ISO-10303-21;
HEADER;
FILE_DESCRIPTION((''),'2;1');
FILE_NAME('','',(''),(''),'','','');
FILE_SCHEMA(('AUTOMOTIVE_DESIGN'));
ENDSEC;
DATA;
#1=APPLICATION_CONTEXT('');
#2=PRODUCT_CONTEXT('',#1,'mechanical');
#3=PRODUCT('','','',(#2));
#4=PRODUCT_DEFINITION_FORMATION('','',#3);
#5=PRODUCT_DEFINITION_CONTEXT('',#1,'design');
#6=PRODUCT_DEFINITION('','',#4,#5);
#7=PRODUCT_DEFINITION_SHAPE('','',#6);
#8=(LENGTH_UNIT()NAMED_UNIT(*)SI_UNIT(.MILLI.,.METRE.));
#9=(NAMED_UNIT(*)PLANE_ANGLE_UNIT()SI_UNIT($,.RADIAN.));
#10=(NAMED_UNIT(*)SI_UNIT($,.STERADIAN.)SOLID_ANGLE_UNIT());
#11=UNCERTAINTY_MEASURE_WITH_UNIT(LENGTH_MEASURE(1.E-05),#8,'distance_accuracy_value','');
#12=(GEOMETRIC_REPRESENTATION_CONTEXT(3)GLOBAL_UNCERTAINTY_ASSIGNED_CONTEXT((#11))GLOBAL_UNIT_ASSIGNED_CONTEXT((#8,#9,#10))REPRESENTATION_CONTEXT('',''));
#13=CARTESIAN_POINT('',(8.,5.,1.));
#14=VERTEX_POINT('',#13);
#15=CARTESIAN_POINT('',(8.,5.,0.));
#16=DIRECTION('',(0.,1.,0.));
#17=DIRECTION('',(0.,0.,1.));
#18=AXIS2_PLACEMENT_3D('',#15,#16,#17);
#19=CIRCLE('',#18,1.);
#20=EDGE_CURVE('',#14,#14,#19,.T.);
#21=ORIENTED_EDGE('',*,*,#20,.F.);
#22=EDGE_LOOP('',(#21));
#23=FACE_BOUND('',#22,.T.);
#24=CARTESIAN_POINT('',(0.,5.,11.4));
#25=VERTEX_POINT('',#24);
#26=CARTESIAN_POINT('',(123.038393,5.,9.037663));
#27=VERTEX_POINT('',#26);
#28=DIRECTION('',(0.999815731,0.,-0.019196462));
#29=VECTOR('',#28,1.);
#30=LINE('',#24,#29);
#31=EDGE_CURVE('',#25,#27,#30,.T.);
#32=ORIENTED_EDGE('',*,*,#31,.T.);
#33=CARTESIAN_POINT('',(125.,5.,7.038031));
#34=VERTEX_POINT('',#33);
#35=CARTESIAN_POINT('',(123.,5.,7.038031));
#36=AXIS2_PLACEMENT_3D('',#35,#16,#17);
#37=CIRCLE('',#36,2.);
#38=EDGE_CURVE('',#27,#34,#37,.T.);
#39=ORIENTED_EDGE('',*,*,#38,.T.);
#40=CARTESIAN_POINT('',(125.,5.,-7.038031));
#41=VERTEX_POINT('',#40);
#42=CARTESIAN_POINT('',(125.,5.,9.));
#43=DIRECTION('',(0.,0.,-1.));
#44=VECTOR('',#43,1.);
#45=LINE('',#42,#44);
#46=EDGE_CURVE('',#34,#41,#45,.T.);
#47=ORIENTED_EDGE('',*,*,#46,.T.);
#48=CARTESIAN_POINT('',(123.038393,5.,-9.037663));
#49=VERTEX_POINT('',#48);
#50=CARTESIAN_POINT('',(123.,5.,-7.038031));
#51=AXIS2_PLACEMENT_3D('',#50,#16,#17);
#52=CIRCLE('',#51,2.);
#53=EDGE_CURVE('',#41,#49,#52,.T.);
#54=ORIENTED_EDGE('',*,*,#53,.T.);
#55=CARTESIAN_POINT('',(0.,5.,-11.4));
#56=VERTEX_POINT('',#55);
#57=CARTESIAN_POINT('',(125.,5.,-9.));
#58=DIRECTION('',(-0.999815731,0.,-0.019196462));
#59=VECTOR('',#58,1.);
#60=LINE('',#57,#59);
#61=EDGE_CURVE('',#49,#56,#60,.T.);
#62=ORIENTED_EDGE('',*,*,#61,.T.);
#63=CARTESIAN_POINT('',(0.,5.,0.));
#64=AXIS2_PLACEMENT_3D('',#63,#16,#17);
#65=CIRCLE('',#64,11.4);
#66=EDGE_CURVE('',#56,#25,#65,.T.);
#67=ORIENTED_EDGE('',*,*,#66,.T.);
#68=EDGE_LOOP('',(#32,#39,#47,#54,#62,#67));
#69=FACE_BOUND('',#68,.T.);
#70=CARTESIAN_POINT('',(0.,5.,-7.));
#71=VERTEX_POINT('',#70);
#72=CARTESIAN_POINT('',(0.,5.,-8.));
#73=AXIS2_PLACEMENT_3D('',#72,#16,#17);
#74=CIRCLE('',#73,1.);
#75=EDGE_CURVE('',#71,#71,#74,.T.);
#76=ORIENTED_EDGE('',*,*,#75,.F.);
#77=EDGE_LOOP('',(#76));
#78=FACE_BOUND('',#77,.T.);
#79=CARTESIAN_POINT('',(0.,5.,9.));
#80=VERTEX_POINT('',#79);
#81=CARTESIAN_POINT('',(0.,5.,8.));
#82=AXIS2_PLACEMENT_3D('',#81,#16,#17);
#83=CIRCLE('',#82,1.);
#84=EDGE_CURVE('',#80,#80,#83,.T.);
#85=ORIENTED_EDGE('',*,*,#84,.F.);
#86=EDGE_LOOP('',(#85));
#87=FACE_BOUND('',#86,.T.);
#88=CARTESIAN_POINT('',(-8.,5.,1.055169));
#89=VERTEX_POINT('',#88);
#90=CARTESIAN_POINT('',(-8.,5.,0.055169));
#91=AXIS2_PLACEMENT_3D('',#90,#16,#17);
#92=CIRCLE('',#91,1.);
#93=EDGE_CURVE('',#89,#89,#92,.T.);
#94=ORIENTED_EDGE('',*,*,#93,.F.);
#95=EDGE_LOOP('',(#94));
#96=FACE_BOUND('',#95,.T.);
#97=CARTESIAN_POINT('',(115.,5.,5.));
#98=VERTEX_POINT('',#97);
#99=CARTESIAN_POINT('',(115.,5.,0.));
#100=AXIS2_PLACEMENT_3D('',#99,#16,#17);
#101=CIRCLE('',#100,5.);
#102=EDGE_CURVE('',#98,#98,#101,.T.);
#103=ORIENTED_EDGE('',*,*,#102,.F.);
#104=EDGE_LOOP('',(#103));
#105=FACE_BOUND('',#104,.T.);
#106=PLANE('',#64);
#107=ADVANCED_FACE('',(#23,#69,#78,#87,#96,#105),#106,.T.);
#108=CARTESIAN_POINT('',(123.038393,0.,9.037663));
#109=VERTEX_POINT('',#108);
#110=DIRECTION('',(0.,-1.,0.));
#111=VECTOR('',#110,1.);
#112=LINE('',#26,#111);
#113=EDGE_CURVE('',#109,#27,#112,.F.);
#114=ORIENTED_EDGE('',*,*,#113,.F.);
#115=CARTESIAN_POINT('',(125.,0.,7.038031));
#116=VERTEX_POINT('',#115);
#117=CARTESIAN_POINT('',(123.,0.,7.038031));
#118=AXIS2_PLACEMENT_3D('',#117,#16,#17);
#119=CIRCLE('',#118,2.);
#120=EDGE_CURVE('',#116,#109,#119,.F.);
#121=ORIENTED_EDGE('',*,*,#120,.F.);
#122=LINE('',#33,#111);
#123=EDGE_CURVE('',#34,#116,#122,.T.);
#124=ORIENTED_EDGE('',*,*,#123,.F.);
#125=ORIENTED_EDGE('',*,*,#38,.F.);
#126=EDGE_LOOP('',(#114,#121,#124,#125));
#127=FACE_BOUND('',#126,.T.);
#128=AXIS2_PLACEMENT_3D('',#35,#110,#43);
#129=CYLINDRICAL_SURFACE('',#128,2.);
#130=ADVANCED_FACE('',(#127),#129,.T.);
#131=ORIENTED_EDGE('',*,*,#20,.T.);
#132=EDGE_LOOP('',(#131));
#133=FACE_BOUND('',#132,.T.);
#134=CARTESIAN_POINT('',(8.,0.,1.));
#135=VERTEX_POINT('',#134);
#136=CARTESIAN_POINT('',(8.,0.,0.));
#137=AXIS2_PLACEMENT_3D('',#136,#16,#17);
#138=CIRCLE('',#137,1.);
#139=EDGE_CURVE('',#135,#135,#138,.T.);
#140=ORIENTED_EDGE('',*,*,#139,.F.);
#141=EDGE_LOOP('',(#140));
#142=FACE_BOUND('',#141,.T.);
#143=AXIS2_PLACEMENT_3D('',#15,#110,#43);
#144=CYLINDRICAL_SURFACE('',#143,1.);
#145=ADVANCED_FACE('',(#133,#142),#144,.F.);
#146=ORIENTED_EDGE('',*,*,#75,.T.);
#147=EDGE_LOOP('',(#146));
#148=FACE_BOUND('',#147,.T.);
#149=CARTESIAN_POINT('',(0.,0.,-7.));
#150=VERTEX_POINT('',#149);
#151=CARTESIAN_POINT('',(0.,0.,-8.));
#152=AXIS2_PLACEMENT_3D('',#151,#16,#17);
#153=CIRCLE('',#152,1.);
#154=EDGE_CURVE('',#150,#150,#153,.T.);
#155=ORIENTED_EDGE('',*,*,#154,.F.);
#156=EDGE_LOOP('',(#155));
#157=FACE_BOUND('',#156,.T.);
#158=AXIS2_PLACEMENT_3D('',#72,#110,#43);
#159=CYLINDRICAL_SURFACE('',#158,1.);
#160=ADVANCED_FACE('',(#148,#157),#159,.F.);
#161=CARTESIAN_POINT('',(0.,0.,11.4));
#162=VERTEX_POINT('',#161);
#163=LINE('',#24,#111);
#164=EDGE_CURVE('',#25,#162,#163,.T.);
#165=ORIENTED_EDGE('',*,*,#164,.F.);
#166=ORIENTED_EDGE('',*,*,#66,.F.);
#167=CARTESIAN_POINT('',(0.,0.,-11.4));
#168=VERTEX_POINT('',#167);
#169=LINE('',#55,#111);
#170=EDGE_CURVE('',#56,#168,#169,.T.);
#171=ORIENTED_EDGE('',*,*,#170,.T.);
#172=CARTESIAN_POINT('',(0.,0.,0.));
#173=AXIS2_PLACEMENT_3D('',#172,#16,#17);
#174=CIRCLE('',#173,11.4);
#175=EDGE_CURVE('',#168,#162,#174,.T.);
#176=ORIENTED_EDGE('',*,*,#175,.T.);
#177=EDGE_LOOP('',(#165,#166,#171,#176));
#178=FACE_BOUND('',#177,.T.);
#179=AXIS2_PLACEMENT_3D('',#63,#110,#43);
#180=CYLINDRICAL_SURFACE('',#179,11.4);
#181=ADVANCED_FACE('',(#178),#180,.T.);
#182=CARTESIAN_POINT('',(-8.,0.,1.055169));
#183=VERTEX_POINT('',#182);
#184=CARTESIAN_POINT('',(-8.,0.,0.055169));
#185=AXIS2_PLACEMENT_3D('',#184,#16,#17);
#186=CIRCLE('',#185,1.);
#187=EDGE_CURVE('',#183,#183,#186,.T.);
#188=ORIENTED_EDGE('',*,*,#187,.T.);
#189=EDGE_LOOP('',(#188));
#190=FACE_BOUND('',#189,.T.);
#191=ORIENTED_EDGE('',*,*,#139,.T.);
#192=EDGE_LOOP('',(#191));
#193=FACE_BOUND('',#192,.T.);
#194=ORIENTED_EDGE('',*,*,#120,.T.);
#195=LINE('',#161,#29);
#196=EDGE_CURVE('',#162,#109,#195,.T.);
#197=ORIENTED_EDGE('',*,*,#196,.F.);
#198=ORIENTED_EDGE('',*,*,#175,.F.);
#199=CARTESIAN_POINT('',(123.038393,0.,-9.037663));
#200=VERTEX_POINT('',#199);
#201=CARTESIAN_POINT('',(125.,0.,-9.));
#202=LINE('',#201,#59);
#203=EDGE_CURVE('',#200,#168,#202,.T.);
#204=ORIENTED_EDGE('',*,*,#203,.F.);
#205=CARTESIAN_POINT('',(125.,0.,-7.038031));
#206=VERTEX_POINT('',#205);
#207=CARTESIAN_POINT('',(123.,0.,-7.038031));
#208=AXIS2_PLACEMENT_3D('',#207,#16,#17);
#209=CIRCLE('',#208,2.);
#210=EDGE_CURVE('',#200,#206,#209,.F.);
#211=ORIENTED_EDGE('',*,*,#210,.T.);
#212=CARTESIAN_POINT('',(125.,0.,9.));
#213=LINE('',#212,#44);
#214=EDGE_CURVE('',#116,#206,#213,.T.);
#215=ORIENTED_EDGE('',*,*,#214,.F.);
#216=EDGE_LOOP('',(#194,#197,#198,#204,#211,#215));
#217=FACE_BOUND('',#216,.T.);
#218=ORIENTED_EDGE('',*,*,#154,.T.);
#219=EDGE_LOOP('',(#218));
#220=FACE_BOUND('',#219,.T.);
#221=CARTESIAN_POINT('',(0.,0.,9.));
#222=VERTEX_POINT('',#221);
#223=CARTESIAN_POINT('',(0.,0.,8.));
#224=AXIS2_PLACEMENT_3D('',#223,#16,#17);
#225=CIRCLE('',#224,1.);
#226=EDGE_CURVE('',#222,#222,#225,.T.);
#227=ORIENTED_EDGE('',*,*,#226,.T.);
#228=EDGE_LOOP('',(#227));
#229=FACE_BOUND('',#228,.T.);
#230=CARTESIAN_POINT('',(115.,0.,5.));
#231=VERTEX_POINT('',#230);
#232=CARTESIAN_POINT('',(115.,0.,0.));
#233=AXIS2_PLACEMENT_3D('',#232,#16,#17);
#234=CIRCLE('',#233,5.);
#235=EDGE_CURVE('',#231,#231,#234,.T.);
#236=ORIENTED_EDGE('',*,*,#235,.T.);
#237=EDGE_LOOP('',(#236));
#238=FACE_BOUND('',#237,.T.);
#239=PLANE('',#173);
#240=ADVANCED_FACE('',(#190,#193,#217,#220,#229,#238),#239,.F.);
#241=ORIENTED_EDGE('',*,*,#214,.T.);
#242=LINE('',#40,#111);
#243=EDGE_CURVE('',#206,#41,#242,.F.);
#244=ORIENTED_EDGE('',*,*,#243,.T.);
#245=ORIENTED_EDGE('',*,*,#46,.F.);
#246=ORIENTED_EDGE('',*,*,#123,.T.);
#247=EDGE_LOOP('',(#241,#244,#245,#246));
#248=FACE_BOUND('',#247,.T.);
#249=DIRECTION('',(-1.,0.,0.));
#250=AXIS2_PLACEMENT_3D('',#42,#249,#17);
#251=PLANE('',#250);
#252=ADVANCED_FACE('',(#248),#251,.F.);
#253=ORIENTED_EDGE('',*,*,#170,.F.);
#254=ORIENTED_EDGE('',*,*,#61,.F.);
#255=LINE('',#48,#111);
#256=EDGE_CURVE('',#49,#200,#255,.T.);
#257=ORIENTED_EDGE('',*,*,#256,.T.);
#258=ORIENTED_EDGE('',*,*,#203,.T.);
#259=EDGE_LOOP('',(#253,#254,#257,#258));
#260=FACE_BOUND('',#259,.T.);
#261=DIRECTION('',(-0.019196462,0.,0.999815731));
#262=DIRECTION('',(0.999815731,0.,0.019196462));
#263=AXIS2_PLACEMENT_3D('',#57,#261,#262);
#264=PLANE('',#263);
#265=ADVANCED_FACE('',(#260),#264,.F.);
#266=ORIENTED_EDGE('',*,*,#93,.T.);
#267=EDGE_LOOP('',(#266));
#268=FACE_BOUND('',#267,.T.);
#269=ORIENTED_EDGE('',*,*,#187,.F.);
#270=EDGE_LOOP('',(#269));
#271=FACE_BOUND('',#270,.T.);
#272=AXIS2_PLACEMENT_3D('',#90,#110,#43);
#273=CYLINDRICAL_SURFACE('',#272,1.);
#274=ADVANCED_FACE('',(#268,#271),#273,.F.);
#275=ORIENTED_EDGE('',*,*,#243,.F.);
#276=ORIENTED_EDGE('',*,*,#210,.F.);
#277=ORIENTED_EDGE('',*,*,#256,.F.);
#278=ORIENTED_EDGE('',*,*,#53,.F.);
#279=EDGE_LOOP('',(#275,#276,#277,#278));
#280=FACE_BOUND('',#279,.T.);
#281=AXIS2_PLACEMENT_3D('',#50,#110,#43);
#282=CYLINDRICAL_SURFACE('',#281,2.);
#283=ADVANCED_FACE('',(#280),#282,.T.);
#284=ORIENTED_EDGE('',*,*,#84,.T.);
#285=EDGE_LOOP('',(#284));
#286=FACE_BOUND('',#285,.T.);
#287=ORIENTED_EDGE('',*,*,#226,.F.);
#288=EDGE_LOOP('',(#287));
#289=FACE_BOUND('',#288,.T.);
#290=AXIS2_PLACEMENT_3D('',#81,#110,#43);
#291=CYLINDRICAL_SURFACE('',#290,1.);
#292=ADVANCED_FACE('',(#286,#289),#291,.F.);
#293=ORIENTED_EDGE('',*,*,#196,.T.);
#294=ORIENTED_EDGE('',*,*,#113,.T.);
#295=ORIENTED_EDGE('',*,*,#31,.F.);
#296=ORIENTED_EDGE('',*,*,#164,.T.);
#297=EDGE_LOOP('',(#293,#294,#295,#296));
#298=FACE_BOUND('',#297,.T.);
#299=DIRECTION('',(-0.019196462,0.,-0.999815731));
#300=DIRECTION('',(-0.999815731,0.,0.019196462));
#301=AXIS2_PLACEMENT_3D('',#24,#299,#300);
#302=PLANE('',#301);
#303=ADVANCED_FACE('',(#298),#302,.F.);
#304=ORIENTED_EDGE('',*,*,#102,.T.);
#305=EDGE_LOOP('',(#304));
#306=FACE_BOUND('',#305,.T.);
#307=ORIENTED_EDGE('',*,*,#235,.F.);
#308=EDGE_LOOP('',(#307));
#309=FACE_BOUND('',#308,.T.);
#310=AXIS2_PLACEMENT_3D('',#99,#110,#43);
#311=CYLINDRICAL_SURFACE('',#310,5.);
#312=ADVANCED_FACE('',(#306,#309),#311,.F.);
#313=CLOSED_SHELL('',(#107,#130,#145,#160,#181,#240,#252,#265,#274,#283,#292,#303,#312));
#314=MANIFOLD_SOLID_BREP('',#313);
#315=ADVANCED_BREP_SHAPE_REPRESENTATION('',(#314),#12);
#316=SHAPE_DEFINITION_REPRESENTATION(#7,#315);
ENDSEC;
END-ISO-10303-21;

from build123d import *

# Parameters (mm, degrees)
CROQUIS1_R              = 5
CROQUIS1_R_2            = 1
SALIENTE_EXTRUIR1_DEPTH = 5
REDONDEO1_R             = 2


with BuildPart() as part:
    # Croquis1 → Saliente-Extruir1 (new body)
    with BuildSketch(Plane(origin=(0, 0, 0), x_dir=(1, 0, 0), z_dir=(0, 1, 0))):
        with BuildLine():
            Line((125, -9), (125, 9))
            Line((125, 9), (0, 11.4))
            ThreePointArc((0, 11.4), (-11.4, 0), (0, -11.4))
            Line((0, -11.4), (125, -9))
        make_face()
        with Locations(Location((115, 0, 0), (0, 0, 270))):
            Circle(CROQUIS1_R, mode=Mode.SUBTRACT)
        with Locations(Location((-8, -0.055168642, 0), (0, 0, 270))):
            Circle(CROQUIS1_R_2, mode=Mode.SUBTRACT)
        with Locations(Location((0, -8, 0), (0, 0, 270))):
            Circle(CROQUIS1_R_2, mode=Mode.SUBTRACT)
        with Locations(Location((0, 8, 0), (0, 0, 270))):
            Circle(CROQUIS1_R_2, mode=Mode.SUBTRACT)
        with Locations(Location((8, 0, 0), (0, 0, 270))):
            Circle(CROQUIS1_R_2, mode=Mode.SUBTRACT)
    extrude(amount=SALIENTE_EXTRUIR1_DEPTH)

    # Redondeo1
    redondeo1_edges = [part.edges().sort_by_distance(p)[0] for p in [
        (125, 2.5, -9),
        (125, 2.5, 9),
    ]]
    fillet(redondeo1_edges, radius=REDONDEO1_R)


solid = part.part
